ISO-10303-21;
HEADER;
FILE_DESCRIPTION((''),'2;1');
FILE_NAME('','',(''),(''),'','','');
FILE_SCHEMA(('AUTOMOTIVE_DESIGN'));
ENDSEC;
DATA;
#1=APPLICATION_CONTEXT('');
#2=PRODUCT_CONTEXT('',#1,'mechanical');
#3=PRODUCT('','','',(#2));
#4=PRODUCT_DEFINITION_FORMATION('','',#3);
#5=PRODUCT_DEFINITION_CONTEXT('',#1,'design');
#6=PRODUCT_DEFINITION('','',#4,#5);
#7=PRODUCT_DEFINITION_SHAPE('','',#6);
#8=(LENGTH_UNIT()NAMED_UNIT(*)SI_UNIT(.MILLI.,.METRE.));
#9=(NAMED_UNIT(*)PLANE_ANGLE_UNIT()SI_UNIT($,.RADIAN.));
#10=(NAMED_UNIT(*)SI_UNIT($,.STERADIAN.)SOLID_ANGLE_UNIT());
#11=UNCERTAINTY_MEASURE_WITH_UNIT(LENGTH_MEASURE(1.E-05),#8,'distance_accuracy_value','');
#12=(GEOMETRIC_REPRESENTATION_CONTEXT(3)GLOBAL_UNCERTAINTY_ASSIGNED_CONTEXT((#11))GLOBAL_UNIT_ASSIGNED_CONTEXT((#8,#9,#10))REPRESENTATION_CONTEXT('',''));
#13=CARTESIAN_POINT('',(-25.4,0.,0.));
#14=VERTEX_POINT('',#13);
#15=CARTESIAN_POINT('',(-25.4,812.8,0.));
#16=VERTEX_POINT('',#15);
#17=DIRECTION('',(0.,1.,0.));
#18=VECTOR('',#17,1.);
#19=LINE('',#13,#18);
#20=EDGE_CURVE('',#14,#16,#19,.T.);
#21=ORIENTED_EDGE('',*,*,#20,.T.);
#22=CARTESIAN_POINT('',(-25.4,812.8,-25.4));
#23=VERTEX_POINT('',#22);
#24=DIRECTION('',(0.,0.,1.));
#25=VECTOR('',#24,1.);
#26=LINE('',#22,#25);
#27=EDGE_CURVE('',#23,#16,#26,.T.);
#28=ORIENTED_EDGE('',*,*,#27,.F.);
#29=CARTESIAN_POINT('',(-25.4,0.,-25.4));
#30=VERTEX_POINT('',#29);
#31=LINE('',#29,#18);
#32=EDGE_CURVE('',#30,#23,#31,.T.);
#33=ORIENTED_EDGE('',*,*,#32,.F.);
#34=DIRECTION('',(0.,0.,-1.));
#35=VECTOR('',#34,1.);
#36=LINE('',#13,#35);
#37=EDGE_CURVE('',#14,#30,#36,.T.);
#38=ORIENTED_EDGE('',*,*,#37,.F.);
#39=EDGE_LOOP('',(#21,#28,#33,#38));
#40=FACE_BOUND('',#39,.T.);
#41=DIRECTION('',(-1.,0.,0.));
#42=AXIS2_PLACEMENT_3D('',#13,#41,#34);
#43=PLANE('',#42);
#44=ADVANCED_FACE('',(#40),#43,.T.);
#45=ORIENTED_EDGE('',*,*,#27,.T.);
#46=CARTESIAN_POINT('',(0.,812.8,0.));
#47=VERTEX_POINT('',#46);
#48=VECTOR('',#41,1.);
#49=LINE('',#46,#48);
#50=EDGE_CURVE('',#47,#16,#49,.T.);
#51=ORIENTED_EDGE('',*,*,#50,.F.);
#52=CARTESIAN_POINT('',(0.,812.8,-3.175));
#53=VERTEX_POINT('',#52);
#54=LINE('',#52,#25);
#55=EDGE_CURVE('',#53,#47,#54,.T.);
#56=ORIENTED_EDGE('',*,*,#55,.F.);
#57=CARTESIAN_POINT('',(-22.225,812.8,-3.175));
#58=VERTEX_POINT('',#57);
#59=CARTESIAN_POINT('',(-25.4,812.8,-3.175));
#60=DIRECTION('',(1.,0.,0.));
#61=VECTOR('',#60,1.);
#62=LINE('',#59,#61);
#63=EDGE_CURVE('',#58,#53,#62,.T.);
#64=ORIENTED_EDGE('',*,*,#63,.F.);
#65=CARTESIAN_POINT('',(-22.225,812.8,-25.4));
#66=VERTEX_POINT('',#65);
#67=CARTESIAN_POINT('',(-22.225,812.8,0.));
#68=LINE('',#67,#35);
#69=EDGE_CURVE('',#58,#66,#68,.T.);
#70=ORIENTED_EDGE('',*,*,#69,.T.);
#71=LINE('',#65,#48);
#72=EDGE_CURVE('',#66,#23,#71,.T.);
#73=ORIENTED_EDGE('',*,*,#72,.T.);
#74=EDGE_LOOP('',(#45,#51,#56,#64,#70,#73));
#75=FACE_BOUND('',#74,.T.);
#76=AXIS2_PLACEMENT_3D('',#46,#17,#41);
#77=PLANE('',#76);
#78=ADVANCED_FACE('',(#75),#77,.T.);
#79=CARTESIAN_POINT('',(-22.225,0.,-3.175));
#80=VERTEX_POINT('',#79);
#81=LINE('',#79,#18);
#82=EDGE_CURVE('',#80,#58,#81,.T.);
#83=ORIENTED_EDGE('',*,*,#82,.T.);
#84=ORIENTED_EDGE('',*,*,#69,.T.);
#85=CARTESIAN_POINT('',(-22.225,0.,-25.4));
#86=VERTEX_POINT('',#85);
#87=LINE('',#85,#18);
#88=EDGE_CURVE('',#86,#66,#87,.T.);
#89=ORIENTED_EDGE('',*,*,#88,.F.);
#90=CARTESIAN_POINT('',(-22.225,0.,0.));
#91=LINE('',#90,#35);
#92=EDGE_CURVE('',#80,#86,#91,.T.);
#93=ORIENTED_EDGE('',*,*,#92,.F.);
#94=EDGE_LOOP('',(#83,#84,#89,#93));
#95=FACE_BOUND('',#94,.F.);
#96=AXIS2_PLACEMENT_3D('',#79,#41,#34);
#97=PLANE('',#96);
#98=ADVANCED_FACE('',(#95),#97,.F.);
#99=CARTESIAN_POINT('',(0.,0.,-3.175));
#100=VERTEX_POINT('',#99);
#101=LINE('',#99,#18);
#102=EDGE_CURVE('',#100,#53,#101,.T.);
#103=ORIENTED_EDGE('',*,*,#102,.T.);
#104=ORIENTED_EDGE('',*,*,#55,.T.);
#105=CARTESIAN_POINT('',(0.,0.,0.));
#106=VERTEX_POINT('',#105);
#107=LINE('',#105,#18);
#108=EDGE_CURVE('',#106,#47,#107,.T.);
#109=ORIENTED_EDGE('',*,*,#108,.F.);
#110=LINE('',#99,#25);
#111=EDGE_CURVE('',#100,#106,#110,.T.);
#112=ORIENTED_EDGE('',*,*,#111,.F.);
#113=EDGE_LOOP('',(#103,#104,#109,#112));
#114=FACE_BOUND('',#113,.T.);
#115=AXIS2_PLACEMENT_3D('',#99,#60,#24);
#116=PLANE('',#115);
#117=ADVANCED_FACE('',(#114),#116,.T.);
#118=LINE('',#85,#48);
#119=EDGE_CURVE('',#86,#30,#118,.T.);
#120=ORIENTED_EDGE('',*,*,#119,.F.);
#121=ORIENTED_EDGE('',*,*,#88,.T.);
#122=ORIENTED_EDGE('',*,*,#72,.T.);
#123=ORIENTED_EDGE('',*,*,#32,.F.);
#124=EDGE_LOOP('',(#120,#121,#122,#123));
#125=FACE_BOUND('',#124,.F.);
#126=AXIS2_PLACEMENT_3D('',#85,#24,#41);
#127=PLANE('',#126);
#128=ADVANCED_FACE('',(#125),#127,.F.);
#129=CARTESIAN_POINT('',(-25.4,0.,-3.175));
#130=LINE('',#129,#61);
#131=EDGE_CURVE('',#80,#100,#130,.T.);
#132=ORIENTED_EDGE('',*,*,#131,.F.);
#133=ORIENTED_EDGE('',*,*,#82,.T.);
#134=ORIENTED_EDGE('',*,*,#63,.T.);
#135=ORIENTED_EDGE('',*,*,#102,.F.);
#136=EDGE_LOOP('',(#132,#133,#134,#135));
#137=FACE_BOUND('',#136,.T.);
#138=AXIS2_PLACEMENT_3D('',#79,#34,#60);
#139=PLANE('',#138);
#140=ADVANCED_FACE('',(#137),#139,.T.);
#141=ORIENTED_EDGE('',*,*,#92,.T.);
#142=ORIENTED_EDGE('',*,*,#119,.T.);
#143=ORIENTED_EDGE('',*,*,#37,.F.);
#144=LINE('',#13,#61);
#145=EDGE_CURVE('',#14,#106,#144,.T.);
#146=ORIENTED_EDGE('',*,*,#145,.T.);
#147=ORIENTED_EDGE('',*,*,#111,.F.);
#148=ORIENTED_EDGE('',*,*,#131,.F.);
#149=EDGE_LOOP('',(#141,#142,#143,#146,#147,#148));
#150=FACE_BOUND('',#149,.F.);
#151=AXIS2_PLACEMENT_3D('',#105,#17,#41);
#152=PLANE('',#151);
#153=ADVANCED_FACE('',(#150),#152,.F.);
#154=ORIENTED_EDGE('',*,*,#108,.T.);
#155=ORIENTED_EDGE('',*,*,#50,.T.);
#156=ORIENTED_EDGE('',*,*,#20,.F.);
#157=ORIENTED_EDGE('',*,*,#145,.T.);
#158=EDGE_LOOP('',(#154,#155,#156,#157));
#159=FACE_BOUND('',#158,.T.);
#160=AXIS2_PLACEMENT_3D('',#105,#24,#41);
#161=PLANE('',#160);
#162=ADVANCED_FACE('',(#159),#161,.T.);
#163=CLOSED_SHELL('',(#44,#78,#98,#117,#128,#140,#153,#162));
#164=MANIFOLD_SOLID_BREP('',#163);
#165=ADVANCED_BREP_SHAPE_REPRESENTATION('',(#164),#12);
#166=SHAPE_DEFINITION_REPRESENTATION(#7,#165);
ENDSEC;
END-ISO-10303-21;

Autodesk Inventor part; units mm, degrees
ref_plane "YZ Plane" through (0, 0, 0) normal (1, 0, 0) x (0, 1, 0)
ref_plane "XZ Plane" through (0, 0, 0) normal (0, 1, 0) x (-1, 0, 0)
ref_plane "XY Plane" through (0, 0, 0) normal (0, 0, 1) x (1, 0, 0)
sketch "Sketch3" plane through (0, 0, 0) normal (0, 1, 0) x (-1, 0, 0)
  line L0 (0, 0) -> (25.4, 0)
  line L1 (25.4, 0) -> (25.4, -3.175)
  line L2 (25.4, -3.175) -> (0, -3.175)
  line L3 (0, -3.175) -> (0, 0)
  line L4 (25.4, 0) -> (22.225, 0)
  line L5 (22.225, 0) -> (22.225, -25.4)
  line L6 (22.225, -25.4) -> (25.4, -25.4)
  line L7 (25.4, -25.4) -> (25.4, 0)
  dimension "d8" = 25.4
  dimension "d9" = 3.175
  dimension "d10" = 3.175
  dimension "d11" = 25.4
extrude "Extrusion3" add sketch "Sketch3" along normal blind 812.8
properties part number "BumperMount1-ver1-1111-2019"
